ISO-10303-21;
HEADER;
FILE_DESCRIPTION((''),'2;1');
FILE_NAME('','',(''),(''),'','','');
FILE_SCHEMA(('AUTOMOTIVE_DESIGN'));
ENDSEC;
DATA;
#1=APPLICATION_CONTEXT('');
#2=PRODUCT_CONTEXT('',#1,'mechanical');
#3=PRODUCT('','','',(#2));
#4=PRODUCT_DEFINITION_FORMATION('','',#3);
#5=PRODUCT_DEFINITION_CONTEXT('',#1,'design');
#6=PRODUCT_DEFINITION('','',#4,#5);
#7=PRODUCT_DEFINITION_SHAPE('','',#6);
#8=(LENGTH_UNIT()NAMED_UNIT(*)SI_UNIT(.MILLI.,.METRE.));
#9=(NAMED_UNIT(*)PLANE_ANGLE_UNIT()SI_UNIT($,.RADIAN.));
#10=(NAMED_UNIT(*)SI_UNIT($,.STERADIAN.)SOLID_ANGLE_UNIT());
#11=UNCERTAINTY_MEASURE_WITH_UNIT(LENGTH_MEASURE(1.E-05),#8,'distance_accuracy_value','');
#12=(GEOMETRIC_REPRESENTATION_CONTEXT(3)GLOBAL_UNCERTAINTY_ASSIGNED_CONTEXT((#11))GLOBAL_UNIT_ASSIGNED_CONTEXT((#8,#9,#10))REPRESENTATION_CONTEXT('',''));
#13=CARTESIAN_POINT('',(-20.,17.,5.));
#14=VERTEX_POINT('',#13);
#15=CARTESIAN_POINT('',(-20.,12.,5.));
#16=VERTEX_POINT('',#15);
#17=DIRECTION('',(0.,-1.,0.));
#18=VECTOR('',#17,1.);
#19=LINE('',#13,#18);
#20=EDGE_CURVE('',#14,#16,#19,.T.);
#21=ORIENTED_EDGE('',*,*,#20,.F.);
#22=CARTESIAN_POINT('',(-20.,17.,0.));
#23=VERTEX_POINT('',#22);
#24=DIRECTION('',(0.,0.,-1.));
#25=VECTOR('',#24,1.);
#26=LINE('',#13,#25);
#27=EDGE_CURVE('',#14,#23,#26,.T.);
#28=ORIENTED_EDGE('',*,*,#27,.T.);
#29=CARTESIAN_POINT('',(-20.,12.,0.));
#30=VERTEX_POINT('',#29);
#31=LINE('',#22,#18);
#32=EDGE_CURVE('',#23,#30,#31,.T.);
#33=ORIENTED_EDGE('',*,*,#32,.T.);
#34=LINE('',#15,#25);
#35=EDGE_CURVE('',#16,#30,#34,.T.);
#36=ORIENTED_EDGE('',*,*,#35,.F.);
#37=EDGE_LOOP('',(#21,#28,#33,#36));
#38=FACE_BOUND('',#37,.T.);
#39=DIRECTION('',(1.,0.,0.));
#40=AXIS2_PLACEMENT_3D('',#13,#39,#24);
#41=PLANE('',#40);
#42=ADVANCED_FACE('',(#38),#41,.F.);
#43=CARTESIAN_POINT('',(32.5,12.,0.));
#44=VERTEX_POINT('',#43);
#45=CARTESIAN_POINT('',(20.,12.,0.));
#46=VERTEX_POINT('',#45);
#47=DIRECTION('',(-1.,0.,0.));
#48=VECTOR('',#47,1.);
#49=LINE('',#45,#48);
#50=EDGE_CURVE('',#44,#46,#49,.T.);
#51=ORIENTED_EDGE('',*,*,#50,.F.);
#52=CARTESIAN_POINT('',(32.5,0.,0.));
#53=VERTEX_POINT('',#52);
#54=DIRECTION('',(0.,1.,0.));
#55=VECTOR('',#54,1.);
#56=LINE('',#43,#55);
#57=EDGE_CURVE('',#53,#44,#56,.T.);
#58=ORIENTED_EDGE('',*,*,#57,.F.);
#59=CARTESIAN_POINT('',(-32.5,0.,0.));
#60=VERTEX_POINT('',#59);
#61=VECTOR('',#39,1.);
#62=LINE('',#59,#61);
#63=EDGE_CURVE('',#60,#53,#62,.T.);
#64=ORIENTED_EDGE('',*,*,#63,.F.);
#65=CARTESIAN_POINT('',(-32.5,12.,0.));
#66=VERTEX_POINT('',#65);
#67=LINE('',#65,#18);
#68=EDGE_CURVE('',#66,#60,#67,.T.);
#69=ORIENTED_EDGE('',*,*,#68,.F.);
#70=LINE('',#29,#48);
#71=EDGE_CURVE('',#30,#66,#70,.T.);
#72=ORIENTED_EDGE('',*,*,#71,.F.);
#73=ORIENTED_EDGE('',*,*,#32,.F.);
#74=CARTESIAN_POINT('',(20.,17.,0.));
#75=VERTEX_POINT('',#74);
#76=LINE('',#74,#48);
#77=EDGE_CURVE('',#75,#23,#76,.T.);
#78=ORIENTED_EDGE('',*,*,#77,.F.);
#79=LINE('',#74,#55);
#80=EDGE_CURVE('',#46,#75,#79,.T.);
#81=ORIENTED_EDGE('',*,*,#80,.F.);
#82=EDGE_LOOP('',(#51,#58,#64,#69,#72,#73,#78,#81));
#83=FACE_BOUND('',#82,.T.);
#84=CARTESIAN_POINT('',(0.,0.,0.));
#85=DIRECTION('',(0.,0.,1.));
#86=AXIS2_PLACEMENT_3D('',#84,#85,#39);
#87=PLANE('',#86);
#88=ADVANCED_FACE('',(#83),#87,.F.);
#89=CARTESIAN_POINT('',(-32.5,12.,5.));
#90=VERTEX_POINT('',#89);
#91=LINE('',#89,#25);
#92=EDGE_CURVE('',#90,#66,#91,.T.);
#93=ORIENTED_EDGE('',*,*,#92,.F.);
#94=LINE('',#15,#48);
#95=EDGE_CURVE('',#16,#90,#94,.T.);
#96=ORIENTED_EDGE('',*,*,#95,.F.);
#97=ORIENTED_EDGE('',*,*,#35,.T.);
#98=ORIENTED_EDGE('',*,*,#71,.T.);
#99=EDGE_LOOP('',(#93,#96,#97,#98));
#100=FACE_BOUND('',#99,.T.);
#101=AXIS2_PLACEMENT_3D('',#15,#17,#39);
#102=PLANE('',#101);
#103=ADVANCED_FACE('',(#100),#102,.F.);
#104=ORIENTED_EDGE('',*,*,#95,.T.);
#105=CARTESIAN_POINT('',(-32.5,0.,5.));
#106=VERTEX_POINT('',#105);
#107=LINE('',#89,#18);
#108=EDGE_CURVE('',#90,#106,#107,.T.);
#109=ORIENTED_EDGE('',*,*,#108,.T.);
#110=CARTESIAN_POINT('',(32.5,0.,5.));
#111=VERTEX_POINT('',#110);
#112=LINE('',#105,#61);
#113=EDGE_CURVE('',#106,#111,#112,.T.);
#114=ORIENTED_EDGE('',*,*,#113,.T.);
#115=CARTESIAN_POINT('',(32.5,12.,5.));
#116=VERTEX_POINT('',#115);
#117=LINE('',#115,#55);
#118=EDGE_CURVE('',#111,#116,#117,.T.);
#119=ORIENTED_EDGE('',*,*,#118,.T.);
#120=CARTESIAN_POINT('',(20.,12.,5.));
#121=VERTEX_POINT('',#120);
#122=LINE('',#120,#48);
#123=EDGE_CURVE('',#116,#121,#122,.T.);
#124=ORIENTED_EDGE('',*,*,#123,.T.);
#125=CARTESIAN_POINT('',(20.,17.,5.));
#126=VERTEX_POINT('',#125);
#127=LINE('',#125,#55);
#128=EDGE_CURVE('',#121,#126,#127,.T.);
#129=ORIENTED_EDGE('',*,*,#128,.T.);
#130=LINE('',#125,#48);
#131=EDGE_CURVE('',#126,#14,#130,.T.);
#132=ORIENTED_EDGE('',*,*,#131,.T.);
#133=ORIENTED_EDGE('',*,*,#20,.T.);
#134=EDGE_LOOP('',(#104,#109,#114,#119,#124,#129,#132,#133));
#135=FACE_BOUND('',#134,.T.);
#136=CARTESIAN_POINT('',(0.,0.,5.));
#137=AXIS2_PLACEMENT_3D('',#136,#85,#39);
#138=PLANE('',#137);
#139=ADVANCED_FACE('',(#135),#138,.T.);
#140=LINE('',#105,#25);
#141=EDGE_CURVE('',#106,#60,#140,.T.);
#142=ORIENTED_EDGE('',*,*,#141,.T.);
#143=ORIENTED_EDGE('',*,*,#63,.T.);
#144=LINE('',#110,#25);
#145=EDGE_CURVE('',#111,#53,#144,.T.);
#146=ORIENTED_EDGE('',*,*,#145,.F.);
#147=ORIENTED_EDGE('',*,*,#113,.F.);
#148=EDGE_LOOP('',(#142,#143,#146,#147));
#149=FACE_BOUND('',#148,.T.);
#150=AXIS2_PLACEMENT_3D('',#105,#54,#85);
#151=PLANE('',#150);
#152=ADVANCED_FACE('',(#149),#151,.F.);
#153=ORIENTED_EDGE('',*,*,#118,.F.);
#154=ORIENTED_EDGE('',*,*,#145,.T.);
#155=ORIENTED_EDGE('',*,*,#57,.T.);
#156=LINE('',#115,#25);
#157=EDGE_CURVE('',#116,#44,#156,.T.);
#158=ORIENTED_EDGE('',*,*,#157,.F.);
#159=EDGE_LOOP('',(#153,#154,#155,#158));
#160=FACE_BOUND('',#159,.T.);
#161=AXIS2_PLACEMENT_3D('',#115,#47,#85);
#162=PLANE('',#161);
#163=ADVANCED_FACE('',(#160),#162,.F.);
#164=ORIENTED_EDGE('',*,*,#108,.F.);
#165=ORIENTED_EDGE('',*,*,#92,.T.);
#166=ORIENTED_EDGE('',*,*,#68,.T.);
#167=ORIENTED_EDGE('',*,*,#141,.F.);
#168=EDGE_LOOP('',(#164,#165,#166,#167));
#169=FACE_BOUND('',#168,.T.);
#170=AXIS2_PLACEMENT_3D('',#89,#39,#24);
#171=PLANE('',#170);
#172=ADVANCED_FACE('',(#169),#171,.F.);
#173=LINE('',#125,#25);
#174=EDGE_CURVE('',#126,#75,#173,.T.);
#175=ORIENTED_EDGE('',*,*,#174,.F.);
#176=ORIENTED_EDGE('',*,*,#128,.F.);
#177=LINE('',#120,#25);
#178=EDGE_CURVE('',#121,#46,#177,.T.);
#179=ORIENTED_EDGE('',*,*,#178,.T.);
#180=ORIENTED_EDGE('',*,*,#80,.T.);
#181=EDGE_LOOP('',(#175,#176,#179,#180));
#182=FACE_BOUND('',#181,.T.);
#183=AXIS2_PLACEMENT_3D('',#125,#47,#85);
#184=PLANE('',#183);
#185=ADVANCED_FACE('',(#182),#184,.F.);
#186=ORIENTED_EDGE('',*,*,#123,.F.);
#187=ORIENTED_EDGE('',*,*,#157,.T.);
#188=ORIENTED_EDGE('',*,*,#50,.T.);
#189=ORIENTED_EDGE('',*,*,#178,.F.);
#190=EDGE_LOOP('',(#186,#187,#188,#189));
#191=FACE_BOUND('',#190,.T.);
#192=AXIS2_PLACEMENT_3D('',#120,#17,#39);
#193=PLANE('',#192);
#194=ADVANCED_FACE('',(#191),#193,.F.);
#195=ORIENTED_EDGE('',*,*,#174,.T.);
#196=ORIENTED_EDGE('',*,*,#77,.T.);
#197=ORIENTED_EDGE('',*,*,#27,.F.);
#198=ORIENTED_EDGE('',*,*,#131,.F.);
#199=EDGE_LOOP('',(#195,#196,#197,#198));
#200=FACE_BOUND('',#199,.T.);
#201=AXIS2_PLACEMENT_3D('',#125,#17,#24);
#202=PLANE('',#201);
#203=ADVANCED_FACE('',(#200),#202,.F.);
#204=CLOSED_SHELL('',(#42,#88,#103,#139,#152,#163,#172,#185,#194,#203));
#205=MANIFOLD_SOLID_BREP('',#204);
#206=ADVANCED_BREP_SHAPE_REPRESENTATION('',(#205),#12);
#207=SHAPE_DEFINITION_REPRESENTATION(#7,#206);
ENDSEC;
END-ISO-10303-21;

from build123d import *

# Parameters (mm, degrees)
AUFSATZ_LINEAR_AUSTRAGEN1_DEPTH = 5


with BuildPart() as part:
    # Skizze1 → Aufsatz-Linear austragen1 (new body)
    with BuildSketch(Plane.XY):
        Polygon((20, 17), (-20, 17), (-20, 12), (-32.5, 12), (-32.5, 0), (32.5, 0), (32.5, 12), (20, 12), align=None)
    extrude(amount=AUFSATZ_LINEAR_AUSTRAGEN1_DEPTH)


solid = part.part
